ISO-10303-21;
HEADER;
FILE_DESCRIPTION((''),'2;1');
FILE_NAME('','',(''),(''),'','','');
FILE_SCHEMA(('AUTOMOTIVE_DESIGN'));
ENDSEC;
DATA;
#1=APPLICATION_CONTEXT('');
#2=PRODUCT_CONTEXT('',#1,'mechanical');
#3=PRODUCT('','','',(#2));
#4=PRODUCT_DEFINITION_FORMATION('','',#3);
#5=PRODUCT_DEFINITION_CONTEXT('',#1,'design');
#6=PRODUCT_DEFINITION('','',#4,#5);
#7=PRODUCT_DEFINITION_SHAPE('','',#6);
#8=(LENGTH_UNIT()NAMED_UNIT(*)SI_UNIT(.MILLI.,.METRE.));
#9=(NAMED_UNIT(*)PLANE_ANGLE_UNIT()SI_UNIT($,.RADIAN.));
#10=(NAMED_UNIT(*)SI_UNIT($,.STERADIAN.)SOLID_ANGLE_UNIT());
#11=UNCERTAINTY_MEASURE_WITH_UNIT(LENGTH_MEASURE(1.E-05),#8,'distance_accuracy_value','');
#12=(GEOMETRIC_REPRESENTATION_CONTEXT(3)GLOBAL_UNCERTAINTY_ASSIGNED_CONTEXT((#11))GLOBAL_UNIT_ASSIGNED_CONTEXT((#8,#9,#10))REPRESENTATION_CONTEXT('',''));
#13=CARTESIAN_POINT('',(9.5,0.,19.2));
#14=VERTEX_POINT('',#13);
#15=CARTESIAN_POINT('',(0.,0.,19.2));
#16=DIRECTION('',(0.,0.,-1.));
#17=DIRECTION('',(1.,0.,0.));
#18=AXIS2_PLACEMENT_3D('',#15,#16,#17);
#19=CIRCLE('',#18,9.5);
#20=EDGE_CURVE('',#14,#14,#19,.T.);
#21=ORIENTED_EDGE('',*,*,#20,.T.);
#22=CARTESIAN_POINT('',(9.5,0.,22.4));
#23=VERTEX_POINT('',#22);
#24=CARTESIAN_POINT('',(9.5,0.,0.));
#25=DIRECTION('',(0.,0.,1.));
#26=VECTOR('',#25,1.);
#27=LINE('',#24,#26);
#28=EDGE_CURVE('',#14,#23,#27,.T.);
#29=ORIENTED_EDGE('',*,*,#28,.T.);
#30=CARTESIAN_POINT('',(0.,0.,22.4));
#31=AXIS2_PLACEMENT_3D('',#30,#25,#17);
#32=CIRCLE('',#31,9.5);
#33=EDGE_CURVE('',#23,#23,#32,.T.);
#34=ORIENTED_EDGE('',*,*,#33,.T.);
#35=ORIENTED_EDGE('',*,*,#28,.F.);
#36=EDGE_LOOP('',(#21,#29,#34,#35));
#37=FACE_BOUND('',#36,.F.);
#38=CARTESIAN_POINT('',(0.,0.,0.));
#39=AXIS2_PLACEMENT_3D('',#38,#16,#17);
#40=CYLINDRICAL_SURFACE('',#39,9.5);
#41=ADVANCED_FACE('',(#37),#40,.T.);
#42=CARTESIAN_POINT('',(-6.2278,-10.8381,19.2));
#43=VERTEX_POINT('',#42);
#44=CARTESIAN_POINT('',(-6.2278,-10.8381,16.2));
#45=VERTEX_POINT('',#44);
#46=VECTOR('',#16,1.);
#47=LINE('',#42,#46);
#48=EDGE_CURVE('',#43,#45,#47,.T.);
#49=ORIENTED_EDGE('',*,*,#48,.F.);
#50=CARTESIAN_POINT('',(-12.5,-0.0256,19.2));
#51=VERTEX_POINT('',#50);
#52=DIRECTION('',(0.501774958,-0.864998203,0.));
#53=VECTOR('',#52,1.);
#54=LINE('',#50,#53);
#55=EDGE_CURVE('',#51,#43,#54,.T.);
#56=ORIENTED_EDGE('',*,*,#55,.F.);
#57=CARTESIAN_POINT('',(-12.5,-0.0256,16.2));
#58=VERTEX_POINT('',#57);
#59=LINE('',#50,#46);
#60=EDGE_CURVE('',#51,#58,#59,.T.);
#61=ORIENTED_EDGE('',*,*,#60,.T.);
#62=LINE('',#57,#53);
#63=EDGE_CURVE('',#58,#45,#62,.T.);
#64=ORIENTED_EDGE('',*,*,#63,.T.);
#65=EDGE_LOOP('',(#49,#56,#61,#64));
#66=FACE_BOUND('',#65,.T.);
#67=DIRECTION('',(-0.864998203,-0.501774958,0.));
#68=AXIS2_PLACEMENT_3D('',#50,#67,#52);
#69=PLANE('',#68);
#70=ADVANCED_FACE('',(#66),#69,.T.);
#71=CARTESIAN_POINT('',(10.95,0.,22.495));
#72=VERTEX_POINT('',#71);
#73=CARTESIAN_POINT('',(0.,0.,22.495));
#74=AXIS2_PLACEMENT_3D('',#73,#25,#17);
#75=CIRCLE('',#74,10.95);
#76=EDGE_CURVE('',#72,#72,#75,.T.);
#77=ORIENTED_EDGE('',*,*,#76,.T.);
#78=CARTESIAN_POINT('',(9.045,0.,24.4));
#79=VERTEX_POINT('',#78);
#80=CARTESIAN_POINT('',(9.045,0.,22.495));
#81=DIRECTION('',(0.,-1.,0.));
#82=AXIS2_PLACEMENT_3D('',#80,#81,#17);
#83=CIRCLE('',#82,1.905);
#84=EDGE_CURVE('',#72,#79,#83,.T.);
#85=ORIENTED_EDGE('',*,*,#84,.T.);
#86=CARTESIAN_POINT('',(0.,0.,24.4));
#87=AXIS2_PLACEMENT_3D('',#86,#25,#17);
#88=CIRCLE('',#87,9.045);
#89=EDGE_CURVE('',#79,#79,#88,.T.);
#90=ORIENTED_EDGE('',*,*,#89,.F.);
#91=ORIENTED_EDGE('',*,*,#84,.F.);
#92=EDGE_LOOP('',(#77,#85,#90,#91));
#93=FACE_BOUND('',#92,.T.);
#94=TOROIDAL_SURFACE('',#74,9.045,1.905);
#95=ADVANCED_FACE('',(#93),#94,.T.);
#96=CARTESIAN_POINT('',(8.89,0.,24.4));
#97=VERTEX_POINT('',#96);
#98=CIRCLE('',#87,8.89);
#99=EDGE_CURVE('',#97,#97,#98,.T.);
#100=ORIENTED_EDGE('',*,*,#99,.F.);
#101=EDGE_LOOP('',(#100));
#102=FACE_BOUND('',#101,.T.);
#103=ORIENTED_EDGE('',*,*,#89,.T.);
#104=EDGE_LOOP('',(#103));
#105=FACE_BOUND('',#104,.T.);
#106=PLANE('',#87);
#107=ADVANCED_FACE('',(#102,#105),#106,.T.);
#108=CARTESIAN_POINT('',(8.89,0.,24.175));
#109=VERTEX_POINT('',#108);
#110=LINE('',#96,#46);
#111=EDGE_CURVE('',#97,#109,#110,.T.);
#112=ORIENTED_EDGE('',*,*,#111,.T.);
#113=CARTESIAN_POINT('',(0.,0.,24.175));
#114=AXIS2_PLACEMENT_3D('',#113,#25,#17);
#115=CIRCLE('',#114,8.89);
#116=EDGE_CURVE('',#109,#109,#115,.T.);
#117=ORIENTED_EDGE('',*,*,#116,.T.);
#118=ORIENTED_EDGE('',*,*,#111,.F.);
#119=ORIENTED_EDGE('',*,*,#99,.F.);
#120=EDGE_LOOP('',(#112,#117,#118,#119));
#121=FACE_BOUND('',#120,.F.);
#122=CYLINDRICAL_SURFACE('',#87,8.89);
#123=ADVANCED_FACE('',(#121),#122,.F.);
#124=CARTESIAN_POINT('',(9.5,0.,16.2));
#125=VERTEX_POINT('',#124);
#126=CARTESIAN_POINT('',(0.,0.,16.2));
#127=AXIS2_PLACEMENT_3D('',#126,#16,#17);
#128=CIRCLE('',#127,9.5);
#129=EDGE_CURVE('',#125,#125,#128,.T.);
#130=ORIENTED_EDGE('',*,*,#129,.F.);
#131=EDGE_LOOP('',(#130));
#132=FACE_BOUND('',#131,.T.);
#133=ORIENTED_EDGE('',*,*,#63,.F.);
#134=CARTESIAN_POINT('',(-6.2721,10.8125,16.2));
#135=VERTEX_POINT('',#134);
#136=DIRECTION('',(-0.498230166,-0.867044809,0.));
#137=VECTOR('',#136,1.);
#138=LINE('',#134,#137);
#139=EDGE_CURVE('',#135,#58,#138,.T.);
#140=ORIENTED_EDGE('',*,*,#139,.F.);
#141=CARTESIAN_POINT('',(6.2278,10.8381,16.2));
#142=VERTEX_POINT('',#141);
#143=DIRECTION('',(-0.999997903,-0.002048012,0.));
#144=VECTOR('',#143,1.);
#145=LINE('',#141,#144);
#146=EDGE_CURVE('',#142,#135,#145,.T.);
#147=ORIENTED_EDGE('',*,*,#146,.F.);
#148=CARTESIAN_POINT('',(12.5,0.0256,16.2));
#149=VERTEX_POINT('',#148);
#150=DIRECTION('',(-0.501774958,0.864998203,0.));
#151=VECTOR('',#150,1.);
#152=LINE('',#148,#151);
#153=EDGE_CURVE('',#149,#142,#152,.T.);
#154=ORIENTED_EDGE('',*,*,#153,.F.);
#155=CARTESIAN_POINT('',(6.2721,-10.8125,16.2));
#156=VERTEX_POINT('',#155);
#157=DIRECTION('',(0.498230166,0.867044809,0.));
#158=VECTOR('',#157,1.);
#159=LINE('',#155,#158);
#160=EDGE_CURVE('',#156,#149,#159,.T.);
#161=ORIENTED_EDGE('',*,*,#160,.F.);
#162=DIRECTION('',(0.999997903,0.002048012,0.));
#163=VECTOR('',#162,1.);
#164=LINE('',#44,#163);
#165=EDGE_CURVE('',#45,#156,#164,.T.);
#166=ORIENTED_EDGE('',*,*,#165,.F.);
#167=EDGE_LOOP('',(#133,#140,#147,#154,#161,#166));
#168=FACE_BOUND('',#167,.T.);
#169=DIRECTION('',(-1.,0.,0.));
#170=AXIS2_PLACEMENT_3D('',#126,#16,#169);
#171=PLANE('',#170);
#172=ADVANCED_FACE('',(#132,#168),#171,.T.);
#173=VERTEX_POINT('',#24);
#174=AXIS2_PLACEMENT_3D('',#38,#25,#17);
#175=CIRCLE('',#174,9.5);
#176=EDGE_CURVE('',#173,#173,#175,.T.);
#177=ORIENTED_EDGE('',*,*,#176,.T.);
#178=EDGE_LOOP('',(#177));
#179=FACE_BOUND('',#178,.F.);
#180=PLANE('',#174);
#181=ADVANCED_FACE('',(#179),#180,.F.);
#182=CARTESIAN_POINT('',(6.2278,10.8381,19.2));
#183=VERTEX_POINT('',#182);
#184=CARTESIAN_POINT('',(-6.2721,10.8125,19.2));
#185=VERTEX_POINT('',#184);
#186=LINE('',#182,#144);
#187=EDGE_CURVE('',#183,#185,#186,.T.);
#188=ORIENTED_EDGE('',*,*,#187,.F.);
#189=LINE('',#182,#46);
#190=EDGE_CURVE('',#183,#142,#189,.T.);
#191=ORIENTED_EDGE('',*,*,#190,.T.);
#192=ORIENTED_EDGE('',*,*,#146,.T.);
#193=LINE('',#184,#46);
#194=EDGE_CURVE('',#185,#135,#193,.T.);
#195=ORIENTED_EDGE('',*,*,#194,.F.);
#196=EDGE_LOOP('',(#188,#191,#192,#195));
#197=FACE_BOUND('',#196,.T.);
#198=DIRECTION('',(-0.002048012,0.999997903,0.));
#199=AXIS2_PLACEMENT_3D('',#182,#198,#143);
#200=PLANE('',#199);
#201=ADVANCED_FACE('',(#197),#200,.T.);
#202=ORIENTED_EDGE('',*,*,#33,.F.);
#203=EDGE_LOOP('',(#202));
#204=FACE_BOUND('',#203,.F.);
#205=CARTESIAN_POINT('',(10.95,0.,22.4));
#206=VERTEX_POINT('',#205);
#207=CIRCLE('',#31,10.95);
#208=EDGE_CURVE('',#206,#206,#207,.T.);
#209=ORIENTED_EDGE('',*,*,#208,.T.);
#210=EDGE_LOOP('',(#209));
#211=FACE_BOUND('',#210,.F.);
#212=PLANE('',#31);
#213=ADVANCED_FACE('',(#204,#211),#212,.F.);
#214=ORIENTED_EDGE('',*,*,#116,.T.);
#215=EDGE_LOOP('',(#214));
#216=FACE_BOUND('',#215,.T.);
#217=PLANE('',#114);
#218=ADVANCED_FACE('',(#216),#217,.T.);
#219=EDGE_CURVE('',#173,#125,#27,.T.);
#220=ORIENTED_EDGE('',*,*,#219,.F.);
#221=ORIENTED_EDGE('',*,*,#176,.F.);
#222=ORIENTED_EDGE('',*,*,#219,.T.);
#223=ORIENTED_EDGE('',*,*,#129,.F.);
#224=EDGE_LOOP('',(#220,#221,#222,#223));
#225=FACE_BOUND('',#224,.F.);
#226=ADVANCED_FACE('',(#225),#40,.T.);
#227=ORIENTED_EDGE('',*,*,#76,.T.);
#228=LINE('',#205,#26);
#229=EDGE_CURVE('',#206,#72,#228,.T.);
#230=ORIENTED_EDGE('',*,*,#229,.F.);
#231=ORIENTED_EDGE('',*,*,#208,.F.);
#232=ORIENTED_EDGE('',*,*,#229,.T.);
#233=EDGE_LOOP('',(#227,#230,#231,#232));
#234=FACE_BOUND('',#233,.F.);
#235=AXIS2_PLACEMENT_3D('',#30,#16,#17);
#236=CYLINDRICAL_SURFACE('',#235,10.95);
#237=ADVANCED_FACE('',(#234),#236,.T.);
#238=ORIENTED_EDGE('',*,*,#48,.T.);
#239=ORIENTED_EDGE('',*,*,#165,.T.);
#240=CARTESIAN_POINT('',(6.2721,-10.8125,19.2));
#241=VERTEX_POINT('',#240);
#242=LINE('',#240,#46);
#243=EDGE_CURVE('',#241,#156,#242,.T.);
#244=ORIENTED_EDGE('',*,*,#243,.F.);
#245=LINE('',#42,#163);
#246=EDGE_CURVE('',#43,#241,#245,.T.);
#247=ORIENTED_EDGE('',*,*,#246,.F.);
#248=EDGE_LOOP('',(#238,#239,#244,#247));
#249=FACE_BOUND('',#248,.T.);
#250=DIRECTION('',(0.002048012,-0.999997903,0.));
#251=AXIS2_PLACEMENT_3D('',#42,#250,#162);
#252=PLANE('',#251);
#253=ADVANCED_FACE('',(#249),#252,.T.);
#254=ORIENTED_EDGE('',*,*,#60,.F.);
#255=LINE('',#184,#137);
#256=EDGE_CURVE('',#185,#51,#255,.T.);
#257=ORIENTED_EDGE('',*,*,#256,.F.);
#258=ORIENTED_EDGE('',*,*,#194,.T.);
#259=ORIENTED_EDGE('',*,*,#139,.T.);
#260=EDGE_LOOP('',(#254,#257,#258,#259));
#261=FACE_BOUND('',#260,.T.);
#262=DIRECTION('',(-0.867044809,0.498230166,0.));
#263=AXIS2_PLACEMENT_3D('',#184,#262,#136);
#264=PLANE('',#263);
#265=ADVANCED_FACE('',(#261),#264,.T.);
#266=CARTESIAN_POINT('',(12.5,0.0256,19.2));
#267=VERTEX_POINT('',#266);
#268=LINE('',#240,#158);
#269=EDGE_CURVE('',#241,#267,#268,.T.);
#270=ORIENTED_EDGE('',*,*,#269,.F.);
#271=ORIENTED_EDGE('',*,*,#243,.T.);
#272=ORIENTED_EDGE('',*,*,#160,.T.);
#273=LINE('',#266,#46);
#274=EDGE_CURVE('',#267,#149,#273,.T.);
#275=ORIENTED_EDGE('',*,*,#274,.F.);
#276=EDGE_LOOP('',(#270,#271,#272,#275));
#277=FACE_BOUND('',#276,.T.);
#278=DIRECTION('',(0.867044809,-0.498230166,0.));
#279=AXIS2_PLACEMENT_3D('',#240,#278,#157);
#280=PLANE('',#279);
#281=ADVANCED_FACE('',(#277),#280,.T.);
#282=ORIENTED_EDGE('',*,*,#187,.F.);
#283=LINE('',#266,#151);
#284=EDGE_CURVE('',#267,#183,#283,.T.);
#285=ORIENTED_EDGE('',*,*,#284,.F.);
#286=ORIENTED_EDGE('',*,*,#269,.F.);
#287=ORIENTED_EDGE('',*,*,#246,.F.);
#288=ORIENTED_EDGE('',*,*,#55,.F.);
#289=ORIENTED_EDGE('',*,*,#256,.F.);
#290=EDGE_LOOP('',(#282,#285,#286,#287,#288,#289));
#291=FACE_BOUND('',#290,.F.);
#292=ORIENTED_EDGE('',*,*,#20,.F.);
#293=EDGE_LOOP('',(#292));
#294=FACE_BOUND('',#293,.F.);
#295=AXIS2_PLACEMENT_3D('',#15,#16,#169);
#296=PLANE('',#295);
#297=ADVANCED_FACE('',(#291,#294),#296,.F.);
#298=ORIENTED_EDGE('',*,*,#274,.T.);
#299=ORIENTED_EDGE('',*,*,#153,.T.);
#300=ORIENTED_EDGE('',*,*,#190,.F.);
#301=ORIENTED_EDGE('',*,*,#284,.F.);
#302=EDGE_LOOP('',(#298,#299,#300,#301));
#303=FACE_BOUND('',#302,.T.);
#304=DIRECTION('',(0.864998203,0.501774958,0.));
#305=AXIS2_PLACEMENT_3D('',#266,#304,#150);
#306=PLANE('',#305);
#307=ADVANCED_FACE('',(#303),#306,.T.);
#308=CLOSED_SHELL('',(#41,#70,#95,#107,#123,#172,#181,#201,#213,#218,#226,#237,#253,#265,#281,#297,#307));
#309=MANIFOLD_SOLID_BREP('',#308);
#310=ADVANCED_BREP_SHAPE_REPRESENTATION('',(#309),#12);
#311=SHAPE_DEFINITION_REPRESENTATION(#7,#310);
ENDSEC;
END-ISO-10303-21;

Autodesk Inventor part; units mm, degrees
ref_plane "YZ Plane" through (0, 0, 0) normal (1, 0, 0) x (0, 1, 0)
ref_plane "XZ Plane" through (0, 0, 0) normal (0, 1, 0) x (-1, 0, 0)
sketch "Sketch3" plane through (0, 0, 0) normal (0, 0, 1) x (1, 0, 0)
  circle A0 centre (0, 0) radius 9.5
  dimension "d3" = 19
extrude "Extrusion2" add sketch "Sketch3" along normal blind 22.4
sketch "Sketch4" plane through (0, 0, 22.4) normal (0, 0, 1) x (1, 0, 0)
  circle A0 centre (0, 0) radius 10.95
  dimension "d6" = 21.9
extrude "Extrusion3" add sketch "Sketch4" along normal blind 2
sketch "Sketch5" plane through (0, 0, 24.4) normal (0, 0, 1) x (1, 0, 0)
  circle A0 centre (0, 0) radius 8.89
  dimension "d10" = 17.78
fillet "Fillet1" radius 1.905 1 edges at (-10.95, 0, 24.4)
ref_plane "Work Plane3" through (0, 0, 19.2) normal (0, 0, -1) x (-1, 0, 0)
sketch "Sketch6" plane through (0, 0, 19.2) normal (0, 0, -1) x (-1, 0, 0)
  line L0 (6.2278, -10.8381) -> (-6.2721, -10.8125)
  line L1 (-6.2721, -10.8125) -> (-12.5, 0.0256)
  line L2 (-12.5, 0.0256) -> (-6.2278, 10.8381)
  line L3 (-6.2278, 10.8381) -> (6.2721, 10.8125)
  line L4 (6.2721, 10.8125) -> (12.5, -0.0256)
  line L5 (12.5, -0.0256) -> (6.2278, -10.8381)
  point P0 (0, 0)
  point P1 (0, 0)
  dimension "d13" = 25
  dimension "d14" = 10.8125
extrude "Extrusion4" add sketch "Sketch6" along normal blind 3
extrude "Extrusion5" cut sketch "Sketch5" against normal blind 0.225
thread "Thread2" size "M20x2.5" class "6g" standard "ANSI Metric M Profile" length 25.4
properties part number "Button"
